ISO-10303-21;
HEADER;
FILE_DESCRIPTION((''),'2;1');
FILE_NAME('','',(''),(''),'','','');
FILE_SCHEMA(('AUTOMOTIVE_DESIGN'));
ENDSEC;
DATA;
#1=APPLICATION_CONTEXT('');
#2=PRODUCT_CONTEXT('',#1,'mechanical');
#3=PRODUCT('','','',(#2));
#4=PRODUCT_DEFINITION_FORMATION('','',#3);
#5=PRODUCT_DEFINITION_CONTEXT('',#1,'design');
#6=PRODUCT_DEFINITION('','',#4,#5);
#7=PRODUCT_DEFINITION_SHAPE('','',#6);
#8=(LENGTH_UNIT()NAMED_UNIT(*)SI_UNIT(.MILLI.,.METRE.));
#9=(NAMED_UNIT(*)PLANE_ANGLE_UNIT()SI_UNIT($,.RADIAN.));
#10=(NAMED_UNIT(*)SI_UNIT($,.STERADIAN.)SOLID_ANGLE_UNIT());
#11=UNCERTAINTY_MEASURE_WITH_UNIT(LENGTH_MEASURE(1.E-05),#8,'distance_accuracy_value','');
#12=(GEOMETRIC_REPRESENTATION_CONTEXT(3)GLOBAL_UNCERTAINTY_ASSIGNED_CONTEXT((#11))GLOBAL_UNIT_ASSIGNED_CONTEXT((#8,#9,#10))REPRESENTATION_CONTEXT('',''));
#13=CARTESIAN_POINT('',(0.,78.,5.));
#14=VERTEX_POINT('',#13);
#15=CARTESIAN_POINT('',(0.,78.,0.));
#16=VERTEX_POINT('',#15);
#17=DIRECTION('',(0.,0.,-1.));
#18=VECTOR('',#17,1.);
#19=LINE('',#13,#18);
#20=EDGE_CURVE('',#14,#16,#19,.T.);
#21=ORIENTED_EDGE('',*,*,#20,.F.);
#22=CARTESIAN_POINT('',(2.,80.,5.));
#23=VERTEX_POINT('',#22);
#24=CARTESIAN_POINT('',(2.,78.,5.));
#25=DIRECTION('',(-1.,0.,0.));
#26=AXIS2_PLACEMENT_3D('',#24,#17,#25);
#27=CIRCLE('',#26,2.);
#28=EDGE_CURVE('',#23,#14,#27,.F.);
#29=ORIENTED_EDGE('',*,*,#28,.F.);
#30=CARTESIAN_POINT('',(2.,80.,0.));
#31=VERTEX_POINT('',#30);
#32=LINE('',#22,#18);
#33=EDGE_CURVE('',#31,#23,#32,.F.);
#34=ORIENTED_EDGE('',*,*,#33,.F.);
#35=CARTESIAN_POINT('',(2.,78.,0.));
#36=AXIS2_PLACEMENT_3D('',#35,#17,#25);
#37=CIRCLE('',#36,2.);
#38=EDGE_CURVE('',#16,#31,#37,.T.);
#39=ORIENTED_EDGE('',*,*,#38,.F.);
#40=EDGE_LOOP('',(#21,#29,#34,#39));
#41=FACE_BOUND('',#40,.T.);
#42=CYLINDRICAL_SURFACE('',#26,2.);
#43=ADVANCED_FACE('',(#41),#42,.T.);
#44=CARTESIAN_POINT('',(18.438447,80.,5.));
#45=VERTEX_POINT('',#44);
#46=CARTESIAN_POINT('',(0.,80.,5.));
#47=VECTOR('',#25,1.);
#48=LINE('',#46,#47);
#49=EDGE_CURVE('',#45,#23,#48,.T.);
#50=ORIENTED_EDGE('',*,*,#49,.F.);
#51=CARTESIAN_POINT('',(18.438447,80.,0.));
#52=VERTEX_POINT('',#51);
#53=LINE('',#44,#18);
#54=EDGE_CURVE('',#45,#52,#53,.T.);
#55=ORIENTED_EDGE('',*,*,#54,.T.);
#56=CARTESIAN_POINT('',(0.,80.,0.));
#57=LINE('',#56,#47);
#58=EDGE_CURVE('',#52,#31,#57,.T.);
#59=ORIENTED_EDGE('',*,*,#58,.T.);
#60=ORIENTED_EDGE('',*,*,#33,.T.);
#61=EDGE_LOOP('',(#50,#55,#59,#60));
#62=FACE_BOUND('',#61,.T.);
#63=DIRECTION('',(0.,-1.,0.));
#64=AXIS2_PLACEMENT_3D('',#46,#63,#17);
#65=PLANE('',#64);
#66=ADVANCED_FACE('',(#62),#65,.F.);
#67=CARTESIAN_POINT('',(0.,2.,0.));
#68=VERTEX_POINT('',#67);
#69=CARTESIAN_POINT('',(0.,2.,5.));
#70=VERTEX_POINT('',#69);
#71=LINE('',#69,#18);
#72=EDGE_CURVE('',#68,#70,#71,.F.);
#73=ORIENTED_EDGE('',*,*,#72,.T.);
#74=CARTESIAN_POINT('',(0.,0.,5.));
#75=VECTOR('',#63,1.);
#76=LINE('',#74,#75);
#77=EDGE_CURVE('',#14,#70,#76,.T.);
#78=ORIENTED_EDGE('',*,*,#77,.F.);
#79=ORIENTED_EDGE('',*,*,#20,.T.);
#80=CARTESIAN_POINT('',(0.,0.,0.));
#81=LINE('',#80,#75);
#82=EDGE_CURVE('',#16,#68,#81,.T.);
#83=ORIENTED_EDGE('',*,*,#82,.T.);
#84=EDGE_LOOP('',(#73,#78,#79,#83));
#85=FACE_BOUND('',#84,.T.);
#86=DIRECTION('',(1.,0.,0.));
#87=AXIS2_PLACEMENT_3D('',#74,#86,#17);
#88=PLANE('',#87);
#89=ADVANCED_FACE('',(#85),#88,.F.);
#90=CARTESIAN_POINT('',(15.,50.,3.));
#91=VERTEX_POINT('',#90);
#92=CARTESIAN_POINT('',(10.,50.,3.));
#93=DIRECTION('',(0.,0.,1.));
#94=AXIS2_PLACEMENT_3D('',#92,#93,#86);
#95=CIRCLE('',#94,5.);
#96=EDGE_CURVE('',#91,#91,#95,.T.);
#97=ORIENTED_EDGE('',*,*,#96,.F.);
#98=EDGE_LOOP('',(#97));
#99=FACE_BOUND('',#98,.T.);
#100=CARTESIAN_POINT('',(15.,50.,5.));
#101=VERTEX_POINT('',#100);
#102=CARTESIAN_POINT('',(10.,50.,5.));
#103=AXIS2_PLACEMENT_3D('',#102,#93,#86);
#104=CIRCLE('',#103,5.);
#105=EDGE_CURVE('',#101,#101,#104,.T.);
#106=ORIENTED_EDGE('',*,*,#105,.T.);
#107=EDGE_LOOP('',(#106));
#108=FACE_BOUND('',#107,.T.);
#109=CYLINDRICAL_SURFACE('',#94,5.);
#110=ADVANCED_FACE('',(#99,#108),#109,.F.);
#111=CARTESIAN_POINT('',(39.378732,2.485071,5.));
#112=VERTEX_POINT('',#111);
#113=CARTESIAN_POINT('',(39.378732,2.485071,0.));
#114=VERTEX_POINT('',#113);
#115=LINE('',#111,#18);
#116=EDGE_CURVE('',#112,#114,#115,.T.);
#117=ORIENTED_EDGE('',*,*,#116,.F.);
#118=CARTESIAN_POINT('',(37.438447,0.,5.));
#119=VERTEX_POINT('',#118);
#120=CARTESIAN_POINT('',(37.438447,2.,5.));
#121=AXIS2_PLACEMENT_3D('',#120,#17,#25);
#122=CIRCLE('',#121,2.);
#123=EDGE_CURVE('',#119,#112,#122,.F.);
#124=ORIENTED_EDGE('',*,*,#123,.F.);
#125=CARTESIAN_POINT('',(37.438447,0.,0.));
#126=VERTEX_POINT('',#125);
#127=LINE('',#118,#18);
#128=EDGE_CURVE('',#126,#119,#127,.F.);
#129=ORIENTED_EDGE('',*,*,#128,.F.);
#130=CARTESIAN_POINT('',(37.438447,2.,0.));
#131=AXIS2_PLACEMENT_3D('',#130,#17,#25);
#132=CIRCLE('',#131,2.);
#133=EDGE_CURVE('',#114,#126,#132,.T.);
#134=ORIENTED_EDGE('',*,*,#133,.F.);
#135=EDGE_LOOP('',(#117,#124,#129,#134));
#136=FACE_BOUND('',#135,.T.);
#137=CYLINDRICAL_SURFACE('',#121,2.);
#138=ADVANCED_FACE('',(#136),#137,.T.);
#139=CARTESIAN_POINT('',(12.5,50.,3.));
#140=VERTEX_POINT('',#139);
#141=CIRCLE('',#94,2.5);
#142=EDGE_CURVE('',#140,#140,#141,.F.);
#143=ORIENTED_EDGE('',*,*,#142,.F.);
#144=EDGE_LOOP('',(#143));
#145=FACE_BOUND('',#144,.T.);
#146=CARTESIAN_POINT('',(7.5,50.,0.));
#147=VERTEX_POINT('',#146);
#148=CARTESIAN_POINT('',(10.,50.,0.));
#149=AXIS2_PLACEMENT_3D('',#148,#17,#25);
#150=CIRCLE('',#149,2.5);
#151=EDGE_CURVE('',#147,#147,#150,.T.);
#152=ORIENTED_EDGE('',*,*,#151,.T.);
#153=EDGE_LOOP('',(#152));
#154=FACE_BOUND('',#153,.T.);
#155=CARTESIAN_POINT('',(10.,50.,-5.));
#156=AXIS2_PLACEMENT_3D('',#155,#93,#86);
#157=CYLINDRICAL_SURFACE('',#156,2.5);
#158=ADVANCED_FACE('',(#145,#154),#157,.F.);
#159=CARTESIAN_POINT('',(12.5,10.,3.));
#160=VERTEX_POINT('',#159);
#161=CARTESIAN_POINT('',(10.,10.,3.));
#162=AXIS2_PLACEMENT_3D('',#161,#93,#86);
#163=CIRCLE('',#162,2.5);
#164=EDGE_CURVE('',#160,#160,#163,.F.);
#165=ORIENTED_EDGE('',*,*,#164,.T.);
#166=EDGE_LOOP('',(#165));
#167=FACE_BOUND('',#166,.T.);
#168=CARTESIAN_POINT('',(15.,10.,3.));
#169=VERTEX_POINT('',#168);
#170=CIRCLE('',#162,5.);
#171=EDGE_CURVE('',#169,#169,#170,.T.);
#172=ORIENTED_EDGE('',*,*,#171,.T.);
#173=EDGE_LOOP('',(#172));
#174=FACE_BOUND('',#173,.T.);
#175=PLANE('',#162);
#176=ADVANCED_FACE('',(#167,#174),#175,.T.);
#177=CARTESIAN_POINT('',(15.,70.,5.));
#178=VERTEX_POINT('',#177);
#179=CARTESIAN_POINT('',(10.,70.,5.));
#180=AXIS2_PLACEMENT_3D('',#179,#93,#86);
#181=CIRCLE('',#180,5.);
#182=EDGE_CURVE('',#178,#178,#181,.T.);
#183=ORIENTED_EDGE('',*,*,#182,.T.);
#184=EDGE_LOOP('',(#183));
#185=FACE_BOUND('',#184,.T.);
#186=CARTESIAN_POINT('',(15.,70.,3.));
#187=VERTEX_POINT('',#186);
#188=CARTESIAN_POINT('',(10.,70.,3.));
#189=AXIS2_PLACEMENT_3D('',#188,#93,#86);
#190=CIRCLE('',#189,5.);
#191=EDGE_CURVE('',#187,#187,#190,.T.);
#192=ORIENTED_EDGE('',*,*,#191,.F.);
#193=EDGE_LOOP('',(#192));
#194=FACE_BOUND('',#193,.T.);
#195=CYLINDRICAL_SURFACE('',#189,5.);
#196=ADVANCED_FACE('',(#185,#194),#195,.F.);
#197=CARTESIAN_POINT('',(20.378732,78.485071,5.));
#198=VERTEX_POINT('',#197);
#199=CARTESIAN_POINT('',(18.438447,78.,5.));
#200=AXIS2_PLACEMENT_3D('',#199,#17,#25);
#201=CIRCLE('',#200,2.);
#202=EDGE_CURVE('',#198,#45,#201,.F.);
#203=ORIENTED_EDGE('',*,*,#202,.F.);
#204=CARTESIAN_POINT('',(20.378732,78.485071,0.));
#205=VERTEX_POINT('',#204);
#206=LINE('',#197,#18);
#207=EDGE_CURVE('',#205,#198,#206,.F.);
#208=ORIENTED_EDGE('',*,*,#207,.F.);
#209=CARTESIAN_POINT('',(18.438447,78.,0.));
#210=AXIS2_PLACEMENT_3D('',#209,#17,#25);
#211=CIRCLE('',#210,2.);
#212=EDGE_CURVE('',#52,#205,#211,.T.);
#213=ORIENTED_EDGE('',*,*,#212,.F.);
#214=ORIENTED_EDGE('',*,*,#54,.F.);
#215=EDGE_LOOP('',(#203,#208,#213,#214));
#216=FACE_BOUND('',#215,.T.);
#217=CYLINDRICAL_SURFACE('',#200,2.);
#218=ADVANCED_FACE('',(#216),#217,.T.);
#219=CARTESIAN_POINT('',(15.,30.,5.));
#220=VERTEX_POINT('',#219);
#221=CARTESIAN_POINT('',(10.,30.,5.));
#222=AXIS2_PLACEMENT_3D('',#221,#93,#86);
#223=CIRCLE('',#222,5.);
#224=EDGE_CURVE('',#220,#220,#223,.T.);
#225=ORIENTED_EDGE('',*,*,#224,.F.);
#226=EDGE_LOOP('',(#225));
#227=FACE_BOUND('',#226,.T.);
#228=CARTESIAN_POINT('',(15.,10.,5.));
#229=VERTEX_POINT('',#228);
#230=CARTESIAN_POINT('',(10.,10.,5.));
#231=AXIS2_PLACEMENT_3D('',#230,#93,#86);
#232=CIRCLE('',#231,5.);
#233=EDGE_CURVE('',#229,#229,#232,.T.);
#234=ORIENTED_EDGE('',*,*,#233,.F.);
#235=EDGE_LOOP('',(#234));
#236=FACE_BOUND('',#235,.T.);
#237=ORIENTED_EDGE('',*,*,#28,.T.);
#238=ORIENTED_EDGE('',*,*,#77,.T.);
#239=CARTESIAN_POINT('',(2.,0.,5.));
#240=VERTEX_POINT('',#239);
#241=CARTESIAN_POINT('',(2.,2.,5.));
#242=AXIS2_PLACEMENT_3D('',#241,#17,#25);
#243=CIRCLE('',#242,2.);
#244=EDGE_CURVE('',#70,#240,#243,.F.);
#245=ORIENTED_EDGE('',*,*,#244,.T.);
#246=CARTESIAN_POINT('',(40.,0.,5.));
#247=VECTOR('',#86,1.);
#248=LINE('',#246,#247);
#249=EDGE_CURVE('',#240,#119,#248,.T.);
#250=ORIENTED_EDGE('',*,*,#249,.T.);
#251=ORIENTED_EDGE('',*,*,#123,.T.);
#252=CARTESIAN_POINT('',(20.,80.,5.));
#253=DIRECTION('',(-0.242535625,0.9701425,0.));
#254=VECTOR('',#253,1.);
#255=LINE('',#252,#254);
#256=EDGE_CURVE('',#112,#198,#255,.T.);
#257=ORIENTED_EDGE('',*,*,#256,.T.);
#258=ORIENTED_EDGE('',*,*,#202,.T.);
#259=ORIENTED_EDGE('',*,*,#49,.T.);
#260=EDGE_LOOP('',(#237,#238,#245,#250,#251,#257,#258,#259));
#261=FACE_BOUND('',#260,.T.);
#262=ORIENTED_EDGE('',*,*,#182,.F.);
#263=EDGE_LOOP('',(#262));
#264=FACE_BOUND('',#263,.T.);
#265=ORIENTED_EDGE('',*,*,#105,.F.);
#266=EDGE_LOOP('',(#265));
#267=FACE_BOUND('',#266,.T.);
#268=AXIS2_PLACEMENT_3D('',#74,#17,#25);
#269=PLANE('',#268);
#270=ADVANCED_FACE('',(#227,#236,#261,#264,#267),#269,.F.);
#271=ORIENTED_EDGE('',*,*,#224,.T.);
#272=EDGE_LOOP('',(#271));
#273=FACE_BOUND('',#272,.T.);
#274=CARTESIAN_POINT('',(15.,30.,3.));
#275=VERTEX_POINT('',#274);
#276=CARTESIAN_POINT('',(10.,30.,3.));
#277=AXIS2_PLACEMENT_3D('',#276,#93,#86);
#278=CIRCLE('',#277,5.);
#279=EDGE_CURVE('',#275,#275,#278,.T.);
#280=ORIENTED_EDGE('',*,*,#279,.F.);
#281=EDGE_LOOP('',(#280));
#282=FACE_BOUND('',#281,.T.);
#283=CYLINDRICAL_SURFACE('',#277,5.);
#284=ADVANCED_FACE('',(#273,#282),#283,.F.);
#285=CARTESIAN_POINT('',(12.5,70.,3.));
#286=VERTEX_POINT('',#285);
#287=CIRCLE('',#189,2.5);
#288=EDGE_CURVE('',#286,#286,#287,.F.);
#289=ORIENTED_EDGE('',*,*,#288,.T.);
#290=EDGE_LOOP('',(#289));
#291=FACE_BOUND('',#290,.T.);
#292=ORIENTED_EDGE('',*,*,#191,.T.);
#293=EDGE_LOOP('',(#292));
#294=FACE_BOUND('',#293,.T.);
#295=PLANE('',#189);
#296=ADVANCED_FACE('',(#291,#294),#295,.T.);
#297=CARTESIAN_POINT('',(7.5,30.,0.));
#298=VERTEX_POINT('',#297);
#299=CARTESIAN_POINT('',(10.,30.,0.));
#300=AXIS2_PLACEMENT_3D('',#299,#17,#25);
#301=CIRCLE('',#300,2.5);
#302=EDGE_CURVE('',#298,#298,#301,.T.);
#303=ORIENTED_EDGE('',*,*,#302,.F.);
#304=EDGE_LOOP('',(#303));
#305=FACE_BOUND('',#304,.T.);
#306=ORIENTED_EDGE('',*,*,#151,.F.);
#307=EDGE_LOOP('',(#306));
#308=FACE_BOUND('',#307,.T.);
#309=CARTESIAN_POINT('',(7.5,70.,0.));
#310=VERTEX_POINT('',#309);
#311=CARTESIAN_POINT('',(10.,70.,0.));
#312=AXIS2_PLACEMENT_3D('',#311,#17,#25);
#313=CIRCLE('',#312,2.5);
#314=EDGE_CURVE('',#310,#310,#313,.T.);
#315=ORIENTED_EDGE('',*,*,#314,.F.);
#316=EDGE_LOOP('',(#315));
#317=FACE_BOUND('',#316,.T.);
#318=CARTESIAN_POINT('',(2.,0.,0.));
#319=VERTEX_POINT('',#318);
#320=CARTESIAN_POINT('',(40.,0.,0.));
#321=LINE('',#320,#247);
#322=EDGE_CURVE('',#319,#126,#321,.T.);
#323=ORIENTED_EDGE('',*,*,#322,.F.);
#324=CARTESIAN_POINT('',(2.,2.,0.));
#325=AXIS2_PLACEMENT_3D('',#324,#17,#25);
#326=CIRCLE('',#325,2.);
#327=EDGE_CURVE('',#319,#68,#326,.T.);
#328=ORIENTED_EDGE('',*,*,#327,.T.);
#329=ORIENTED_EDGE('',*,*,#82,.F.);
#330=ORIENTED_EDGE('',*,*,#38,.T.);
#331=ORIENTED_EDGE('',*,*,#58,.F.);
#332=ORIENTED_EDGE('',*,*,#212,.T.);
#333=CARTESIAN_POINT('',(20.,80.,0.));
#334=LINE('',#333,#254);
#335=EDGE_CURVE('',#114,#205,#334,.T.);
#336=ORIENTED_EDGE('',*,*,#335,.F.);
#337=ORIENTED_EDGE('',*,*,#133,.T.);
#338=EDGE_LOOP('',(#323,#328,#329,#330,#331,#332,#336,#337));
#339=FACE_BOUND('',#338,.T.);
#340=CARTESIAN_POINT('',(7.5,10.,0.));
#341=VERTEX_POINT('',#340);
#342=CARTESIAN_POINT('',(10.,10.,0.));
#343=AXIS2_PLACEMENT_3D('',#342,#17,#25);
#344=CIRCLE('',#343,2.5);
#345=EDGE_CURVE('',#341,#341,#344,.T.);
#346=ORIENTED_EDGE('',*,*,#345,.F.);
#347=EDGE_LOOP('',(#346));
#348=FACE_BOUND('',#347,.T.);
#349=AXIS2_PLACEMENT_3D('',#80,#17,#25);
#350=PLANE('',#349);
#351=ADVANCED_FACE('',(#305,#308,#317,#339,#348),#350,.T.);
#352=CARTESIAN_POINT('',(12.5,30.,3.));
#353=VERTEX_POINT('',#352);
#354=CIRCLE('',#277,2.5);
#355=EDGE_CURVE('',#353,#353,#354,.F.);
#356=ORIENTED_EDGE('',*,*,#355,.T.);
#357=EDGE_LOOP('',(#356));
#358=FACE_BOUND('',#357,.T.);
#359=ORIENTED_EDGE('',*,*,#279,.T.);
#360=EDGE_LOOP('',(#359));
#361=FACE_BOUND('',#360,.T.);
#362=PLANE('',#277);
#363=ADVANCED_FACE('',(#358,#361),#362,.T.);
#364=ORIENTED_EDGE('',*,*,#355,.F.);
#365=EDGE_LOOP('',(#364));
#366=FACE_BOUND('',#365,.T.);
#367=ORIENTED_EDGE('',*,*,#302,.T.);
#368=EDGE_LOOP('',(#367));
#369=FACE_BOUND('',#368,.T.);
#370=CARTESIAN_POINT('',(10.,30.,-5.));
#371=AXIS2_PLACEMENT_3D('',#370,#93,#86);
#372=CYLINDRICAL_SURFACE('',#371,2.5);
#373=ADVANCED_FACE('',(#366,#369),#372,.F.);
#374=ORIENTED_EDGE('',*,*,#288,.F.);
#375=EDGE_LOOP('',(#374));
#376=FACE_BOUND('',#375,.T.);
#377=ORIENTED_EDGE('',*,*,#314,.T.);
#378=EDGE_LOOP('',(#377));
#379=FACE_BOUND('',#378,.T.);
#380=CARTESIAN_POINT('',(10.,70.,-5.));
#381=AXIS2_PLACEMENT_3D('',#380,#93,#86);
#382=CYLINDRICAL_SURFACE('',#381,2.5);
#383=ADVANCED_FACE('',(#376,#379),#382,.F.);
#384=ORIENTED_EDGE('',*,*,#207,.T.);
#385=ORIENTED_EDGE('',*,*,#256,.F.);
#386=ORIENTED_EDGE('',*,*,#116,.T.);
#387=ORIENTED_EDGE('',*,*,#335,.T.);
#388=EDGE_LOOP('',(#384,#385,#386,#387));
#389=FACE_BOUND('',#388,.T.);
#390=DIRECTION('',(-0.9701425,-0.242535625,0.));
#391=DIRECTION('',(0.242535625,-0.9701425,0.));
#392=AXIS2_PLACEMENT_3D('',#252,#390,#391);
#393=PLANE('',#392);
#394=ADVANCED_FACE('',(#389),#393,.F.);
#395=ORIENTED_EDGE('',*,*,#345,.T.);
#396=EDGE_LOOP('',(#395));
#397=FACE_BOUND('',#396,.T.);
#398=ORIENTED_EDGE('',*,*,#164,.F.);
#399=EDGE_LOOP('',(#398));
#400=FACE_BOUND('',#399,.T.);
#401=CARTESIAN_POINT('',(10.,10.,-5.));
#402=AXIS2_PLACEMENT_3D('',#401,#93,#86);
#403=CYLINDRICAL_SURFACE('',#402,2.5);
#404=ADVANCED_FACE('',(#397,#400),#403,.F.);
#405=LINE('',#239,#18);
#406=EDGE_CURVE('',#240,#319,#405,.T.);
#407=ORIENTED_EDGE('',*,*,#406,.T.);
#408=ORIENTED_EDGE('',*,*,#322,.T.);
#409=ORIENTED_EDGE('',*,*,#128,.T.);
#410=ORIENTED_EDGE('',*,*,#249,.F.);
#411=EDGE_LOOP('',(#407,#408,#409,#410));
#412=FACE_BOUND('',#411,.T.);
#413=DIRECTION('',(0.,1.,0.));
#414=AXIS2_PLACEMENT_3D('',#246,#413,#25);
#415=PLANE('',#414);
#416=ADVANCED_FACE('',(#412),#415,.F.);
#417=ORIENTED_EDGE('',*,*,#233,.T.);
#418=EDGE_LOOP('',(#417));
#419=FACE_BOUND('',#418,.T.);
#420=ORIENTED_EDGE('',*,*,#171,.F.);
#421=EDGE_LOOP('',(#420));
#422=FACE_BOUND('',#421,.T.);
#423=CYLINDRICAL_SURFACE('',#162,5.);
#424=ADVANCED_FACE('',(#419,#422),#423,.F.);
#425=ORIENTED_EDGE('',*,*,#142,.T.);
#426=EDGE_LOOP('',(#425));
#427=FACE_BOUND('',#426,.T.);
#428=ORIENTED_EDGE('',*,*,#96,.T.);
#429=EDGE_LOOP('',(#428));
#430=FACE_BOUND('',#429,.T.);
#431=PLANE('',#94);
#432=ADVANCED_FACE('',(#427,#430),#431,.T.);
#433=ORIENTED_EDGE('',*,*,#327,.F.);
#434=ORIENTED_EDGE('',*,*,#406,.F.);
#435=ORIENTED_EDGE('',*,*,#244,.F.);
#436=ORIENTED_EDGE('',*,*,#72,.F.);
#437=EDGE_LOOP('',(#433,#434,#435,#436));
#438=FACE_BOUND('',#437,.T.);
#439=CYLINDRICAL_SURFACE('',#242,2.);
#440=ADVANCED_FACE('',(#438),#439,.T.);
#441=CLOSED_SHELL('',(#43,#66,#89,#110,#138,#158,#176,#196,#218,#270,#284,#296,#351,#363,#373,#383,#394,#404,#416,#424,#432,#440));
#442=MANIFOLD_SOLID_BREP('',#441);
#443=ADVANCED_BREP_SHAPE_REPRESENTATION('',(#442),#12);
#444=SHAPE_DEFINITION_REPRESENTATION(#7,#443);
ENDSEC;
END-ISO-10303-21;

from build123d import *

# Parameters (mm, degrees)
BOSS_EXTRUDE1_DEPTH = 5
SKETCH2_R           = 2.5
CUT_EXTRUDE1_DEPTH  = 10
SKETCH3_R           = 5
CUT_EXTRUDE2_DEPTH  = 2
FILLET1_R           = 2


with BuildPart() as part:
    # Sketch1 → Boss-Extrude1 (new body)
    with BuildSketch(Plane.XY):
        Polygon((0, 0), (0, 80), (20, 80), (40, 0), align=None)
    extrude(amount=BOSS_EXTRUDE1_DEPTH)

    # Sketch2 → Cut-Extrude1 (cut)
    with BuildSketch(Plane.XY.offset(5)):
        with Locations((10, 70)):
            Circle(SKETCH2_R)
        with Locations((10, 50)):
            Circle(SKETCH2_R)
        with Locations((10, 30)):
            Circle(SKETCH2_R)
        with Locations((10, 10)):
            Circle(SKETCH2_R)
    extrude(amount=-CUT_EXTRUDE1_DEPTH, mode=Mode.SUBTRACT)

    # Sketch3 → Cut-Extrude2 (cut)
    with BuildSketch(Plane.XY.offset(5)):
        with Locations((10, 70)):
            Circle(SKETCH3_R)
        with Locations((10, 50)):
            Circle(SKETCH3_R)
        with Locations((10, 30)):
            Circle(SKETCH3_R)
        with Locations((10, 10)):
            Circle(SKETCH3_R)
    extrude(amount=-CUT_EXTRUDE2_DEPTH, mode=Mode.SUBTRACT)

    # Fillet1
    fillet1_edges = [part.edges().sort_by_distance(p)[0] for p in [
        (0, 0, 2.5),
        (0, 80, 2.5),
        (20, 80, 2.5),
        (40, 0, 2.5),
    ]]
    fillet(fillet1_edges, radius=FILLET1_R)


solid = part.part
